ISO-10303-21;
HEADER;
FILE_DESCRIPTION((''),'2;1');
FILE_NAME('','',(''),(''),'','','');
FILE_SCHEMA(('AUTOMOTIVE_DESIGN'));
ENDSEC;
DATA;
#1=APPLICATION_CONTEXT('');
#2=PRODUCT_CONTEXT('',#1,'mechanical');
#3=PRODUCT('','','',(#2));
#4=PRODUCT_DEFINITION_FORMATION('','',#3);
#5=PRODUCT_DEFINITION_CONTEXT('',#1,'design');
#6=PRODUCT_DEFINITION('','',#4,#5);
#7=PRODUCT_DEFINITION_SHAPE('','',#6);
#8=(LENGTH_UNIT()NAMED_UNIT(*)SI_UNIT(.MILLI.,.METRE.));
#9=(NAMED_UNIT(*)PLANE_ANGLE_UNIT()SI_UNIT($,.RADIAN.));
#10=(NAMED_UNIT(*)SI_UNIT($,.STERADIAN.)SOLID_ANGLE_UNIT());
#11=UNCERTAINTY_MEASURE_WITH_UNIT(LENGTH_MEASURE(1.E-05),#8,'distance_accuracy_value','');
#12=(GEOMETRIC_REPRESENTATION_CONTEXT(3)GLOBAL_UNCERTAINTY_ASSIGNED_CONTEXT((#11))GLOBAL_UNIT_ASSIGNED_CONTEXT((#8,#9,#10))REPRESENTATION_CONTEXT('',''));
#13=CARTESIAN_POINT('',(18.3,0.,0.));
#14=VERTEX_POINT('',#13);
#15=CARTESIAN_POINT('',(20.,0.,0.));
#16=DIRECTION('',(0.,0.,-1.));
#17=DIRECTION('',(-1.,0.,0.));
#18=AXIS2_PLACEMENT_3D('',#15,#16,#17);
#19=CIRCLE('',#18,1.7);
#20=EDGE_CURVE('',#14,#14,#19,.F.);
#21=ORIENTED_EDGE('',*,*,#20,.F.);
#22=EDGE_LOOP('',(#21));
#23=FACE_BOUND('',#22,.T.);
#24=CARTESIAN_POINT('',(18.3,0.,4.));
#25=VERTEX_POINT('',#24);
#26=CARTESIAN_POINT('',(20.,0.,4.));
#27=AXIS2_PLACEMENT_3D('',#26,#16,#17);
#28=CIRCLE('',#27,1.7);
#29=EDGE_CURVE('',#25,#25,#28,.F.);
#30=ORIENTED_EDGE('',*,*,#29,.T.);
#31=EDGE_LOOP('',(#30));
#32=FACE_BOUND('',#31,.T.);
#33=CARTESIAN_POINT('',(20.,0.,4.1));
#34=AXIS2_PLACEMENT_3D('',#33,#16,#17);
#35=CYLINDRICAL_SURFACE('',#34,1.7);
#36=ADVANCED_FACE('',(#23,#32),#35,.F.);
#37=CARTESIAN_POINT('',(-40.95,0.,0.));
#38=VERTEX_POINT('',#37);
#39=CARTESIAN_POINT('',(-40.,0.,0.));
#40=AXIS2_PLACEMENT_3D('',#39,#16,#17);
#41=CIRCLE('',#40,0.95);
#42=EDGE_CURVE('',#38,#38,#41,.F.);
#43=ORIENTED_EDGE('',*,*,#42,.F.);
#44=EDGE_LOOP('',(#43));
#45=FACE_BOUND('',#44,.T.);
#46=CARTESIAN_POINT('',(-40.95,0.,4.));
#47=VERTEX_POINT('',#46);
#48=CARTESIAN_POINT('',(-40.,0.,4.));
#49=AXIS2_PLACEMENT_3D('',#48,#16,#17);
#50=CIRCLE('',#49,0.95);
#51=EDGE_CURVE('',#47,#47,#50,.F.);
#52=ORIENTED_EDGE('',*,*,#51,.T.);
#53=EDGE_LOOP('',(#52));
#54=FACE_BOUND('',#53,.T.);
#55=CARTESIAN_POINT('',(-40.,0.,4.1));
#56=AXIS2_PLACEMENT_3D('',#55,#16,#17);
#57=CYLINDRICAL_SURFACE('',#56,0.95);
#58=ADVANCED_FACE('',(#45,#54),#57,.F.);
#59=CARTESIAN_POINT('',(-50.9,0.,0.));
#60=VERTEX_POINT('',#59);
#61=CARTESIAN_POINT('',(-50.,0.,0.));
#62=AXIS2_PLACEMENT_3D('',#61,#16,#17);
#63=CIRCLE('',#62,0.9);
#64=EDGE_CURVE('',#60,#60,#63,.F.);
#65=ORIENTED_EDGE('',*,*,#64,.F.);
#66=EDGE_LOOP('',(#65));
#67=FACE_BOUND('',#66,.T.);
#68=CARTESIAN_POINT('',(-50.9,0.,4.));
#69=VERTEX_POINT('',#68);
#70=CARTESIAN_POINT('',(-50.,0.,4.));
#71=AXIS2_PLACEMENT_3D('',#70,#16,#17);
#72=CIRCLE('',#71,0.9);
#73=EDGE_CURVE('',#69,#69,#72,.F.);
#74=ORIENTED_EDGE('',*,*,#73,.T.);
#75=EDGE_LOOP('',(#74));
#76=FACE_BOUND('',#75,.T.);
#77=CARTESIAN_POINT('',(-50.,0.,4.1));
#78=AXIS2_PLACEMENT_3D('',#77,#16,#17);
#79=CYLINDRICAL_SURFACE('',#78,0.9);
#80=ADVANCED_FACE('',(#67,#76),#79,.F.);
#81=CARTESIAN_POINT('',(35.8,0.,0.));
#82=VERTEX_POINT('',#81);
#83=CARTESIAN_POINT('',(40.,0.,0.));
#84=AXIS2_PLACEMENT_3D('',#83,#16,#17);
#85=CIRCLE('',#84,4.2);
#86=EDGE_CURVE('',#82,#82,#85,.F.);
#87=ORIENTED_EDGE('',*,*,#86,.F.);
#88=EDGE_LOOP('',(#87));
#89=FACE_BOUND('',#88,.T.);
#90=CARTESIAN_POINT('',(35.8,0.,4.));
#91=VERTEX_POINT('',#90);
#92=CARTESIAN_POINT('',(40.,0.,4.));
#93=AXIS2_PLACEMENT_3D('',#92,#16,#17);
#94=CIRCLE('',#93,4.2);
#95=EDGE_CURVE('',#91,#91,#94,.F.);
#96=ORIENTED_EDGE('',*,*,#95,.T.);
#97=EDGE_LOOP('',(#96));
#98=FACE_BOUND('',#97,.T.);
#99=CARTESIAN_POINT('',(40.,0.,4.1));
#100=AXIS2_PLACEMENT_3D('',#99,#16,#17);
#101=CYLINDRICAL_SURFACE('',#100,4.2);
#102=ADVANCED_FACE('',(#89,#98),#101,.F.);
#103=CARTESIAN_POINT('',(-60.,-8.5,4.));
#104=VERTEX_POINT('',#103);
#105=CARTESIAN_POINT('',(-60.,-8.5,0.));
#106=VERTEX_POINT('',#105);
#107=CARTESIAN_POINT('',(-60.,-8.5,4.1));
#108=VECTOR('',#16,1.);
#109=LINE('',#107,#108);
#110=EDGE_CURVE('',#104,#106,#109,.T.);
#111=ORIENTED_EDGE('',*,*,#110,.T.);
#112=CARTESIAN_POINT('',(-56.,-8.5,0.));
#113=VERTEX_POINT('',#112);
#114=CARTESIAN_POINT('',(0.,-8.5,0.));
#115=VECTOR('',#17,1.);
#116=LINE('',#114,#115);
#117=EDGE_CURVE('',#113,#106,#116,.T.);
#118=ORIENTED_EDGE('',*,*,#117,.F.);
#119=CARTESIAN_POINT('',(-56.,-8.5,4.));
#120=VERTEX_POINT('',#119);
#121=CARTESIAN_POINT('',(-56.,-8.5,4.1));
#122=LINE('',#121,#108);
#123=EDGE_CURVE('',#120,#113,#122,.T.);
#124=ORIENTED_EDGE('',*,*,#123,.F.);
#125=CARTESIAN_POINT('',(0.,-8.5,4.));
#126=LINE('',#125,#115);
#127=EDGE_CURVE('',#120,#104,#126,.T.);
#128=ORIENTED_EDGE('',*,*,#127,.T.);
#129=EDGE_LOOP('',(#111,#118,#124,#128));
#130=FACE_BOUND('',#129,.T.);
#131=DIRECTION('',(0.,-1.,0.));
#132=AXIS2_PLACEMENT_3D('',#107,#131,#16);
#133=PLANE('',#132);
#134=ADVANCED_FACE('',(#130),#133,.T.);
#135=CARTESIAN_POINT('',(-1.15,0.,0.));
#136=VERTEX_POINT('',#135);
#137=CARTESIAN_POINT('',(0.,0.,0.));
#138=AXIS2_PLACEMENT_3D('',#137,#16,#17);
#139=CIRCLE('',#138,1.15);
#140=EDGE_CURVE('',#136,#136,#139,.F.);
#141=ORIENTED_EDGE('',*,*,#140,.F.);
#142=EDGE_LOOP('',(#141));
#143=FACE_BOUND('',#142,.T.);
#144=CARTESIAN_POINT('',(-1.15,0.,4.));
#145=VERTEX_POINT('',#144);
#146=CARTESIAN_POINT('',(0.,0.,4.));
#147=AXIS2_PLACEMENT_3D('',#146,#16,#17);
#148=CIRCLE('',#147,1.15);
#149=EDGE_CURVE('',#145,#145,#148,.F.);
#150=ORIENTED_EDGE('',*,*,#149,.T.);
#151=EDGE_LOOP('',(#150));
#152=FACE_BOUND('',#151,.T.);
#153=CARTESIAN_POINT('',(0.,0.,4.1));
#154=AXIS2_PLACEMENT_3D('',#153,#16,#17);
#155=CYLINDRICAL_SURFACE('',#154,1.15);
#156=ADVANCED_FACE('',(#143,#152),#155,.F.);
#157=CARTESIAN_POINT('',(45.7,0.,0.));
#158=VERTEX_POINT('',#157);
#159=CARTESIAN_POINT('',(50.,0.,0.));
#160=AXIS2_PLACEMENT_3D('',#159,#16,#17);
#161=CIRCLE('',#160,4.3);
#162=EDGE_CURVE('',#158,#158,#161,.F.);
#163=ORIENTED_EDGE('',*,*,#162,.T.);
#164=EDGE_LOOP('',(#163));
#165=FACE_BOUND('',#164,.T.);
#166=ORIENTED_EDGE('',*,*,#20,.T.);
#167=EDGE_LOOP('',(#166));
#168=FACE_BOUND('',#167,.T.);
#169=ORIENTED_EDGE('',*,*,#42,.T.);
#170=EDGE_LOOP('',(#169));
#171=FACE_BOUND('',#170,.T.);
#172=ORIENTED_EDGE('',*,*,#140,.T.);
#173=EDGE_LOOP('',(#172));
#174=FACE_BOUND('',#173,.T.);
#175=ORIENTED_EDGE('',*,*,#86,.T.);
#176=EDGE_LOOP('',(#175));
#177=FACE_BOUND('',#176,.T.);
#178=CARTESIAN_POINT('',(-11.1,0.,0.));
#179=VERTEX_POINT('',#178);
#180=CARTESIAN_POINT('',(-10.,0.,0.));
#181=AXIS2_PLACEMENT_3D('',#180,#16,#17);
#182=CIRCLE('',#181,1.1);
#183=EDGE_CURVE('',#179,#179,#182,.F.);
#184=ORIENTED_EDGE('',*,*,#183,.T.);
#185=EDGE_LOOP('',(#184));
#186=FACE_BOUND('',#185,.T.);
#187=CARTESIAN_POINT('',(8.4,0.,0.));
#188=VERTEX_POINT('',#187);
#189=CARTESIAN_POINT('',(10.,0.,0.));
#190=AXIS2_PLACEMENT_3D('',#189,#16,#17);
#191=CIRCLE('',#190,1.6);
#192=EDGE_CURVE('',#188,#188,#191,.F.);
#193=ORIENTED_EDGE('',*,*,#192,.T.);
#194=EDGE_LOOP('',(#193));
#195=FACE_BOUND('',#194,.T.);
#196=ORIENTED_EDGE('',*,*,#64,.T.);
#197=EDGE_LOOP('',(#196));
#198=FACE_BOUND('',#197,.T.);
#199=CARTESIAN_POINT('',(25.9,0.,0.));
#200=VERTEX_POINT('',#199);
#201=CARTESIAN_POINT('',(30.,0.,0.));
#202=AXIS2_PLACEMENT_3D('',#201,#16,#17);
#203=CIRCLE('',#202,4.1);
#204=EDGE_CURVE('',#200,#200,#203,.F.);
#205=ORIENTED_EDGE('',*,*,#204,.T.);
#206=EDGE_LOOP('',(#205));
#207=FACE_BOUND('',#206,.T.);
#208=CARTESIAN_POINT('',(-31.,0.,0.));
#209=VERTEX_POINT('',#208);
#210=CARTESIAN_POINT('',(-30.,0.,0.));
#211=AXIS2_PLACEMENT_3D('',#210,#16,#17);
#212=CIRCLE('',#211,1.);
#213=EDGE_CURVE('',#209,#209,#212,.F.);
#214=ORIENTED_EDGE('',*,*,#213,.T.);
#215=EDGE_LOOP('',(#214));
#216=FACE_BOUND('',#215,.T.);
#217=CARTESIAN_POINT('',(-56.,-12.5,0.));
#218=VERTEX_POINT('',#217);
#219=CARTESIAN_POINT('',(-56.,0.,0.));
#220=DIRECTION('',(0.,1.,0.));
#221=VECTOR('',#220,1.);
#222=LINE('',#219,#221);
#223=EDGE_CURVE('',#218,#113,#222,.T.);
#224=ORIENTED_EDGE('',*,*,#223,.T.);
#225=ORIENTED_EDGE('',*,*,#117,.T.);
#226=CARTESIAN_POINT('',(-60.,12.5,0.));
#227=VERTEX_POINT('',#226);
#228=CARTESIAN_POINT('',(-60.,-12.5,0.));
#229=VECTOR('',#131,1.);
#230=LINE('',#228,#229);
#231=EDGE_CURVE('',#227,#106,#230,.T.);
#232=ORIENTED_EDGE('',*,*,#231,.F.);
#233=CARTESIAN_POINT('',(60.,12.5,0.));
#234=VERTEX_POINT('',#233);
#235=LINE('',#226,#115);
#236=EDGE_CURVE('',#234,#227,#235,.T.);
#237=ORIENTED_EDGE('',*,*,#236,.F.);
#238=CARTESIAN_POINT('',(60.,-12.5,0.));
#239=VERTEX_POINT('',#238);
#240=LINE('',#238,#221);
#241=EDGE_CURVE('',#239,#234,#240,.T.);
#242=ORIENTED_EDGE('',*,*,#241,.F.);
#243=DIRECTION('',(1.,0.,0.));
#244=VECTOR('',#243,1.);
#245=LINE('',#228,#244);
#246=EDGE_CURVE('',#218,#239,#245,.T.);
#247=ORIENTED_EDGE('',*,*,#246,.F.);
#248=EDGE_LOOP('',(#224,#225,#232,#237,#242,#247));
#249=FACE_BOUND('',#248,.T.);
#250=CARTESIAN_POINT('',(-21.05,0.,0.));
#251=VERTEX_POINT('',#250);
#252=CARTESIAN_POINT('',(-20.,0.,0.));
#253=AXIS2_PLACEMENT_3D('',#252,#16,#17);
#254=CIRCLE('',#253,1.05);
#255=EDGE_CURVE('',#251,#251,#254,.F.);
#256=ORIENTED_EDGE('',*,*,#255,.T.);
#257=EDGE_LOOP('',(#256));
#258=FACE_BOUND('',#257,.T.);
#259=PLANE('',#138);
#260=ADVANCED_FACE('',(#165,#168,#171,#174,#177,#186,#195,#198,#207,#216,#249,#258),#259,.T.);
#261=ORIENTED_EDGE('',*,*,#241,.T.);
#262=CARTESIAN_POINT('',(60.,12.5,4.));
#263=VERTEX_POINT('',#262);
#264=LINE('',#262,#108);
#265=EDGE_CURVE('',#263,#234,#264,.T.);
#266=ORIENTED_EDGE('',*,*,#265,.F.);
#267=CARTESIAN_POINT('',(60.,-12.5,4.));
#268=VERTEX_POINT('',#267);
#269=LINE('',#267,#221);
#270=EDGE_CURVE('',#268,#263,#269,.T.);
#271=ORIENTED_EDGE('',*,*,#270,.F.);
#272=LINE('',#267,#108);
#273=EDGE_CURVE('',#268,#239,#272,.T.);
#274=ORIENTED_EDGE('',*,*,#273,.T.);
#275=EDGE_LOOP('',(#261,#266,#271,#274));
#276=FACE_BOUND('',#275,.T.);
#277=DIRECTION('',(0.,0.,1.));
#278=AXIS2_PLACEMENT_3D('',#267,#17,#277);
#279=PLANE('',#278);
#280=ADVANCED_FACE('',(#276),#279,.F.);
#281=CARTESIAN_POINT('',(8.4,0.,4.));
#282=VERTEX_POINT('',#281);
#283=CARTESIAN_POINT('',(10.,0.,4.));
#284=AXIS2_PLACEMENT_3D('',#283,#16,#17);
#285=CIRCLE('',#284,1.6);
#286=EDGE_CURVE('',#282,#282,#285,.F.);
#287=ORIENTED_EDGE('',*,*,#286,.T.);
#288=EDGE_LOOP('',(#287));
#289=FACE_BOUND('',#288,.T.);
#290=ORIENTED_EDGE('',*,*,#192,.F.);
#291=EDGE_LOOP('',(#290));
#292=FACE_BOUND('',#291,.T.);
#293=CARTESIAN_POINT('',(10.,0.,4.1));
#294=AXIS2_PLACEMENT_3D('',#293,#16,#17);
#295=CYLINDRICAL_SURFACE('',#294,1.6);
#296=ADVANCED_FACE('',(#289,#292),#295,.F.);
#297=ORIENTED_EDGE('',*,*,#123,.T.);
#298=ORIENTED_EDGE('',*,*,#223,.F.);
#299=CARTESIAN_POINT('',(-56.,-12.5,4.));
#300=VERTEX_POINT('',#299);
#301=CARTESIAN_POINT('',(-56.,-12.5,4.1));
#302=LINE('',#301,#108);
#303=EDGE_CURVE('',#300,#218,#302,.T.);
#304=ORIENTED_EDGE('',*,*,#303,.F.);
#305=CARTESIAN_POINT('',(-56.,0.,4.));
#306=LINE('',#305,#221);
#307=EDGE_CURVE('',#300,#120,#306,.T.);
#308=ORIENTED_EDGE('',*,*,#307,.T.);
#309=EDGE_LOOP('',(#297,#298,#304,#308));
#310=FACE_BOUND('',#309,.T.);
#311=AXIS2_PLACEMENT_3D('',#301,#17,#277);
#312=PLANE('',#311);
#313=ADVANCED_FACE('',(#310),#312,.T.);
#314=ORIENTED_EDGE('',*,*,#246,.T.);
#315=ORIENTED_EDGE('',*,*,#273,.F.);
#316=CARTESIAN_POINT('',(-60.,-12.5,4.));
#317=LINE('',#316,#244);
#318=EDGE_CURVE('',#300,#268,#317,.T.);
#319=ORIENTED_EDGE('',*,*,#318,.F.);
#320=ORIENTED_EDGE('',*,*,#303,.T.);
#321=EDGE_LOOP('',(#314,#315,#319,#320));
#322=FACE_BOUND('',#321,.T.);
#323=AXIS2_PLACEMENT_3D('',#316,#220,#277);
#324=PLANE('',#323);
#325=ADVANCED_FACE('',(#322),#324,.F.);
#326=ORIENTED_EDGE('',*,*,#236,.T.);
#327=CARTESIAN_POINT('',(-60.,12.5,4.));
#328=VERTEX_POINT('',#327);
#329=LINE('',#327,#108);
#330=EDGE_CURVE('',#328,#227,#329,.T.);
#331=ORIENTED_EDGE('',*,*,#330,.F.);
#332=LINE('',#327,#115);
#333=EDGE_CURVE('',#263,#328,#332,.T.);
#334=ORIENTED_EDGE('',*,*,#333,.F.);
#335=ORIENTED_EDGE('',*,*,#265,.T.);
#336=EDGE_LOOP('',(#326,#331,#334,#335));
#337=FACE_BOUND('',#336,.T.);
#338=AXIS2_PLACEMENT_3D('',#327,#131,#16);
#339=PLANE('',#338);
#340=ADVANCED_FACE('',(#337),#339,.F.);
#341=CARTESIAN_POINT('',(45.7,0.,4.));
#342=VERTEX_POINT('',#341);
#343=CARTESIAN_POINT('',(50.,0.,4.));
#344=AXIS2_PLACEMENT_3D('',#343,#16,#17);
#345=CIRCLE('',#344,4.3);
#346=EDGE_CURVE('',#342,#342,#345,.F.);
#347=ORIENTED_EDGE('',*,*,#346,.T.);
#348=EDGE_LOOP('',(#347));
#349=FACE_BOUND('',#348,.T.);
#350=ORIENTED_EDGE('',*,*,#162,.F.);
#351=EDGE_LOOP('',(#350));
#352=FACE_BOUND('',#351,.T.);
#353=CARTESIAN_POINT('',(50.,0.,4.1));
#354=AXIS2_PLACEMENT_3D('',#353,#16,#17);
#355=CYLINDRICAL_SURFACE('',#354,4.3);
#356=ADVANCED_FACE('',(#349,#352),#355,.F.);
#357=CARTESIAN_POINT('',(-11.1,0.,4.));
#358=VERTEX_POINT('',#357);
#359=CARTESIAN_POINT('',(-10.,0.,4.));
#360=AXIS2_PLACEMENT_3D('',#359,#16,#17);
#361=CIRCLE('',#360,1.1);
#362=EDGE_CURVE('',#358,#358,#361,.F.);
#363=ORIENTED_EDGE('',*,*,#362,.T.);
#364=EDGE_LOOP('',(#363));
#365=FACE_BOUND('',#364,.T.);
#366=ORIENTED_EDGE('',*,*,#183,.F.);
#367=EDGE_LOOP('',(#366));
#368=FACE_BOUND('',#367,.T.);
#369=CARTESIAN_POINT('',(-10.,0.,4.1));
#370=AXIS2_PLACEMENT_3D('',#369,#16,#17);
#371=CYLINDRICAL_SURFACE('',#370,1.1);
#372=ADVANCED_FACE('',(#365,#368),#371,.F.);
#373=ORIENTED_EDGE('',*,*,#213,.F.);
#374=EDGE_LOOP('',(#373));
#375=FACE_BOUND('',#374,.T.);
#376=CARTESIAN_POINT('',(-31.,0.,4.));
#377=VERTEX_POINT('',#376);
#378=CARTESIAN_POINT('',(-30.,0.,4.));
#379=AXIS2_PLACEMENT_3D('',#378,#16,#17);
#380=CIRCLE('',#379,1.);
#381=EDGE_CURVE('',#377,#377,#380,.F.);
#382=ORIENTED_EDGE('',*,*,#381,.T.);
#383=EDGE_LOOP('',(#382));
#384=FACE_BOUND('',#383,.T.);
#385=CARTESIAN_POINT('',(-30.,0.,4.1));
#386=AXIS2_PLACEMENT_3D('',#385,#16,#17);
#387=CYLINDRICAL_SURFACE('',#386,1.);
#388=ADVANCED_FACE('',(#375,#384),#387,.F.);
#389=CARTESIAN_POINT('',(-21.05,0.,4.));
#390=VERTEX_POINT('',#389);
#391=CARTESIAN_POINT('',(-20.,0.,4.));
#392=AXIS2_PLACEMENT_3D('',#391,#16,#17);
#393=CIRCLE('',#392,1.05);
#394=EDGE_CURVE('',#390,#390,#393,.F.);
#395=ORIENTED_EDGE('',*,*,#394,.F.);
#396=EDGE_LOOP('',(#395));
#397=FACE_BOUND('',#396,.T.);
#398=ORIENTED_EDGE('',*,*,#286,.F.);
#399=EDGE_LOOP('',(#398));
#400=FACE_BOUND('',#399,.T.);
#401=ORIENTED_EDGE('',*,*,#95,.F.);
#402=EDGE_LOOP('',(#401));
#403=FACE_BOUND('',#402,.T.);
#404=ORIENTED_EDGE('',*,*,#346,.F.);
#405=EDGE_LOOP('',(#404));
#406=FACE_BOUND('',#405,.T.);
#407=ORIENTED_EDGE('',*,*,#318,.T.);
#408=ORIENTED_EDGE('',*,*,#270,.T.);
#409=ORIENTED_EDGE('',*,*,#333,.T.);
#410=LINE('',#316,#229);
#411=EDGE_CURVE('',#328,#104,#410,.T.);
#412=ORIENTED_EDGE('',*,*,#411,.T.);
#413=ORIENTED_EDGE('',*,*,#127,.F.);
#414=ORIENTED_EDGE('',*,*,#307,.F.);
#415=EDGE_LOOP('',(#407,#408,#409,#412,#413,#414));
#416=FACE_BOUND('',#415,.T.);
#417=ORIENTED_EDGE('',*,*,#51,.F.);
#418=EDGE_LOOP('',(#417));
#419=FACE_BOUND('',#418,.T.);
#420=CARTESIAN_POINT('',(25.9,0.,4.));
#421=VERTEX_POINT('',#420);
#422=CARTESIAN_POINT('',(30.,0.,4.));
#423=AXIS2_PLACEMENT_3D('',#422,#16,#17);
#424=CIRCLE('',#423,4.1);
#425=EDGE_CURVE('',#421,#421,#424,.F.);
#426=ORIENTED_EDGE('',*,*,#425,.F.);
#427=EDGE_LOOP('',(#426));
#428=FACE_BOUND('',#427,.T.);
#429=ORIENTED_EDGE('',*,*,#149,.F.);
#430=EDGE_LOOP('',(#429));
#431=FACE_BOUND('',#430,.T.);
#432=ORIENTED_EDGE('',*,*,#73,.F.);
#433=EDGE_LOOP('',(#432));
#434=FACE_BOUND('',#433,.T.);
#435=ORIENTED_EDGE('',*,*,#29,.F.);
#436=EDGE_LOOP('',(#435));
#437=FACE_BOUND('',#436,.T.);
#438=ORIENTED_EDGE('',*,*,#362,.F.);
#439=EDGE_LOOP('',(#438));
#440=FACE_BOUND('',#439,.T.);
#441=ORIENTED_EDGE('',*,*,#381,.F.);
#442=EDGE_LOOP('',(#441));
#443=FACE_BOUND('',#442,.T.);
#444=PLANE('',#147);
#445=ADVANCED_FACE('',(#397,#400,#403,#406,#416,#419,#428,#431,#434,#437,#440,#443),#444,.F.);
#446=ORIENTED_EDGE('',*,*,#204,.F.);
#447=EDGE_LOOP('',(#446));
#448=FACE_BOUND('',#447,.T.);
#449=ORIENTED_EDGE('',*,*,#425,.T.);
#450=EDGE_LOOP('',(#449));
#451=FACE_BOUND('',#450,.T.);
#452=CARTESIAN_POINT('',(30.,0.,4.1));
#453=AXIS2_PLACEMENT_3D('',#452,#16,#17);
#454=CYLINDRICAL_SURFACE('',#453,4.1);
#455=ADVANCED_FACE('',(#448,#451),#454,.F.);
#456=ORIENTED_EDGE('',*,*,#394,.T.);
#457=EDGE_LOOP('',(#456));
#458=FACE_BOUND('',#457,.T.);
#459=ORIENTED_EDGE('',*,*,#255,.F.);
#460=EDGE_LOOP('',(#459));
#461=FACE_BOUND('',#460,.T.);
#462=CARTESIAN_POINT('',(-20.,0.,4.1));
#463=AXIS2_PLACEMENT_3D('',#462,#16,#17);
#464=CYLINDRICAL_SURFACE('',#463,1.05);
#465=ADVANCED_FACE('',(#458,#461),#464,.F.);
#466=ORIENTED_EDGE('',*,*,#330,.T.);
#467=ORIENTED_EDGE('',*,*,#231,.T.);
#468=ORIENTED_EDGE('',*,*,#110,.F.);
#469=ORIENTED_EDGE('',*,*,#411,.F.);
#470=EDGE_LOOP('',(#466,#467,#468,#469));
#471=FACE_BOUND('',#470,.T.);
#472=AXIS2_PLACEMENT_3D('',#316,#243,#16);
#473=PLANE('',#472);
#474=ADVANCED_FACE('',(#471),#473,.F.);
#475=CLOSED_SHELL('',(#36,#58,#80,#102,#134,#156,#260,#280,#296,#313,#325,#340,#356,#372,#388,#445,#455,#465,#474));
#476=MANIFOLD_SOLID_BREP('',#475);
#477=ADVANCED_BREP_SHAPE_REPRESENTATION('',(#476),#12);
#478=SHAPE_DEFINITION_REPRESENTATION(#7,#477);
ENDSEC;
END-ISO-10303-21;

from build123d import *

# Parameters (mm, degrees)
SKETCH1_W               = 120
SKETCH1_H               = 25
COUPON_120X25_DEPTH     = 4
DIAMETER_1P8_START      = -0.1
SKETCH2_R               = 0.9
DIAMETER_1P8_DEPTH      = 4.2
DIAMETER_1P9_START      = -0.1
SKETCH3_R               = 0.95
DIAMETER_1P9_DEPTH      = 4.2
DIAMETER_2_START        = -0.1
SKETCH4_R               = 1
DIAMETER_2_DEPTH        = 4.2
DIAMETER_2P1_START      = -0.1
SKETCH5_R               = 1.05
DIAMETER_2P1_DEPTH      = 4.2
DIAMETER_2P2_START      = -0.1
SKETCH6_R               = 1.1
DIAMETER_2P2_DEPTH      = 4.2
DIAMETER_2P3_START      = -0.1
SKETCH7_R               = 1.15
DIAMETER_2P3_DEPTH      = 4.2
DIAMETER_3P2_START      = -0.1
SKETCH8_R               = 1.6
DIAMETER_3P2_DEPTH      = 4.2
DIAMETER_3P4_START      = -0.1
SKETCH9_R               = 1.7
DIAMETER_3P4_DEPTH      = 4.2
DIAMETER_8P2_START      = -0.1
SKETCH10_R              = 4.1
DIAMETER_8P2_DEPTH      = 4.2
DIAMETER_8P4_START      = -0.1
SKETCH11_R              = 4.2
DIAMETER_8P4_DEPTH      = 4.2
DIAMETER_8P6_START      = -0.1
SKETCH12_R              = 4.3
DIAMETER_8P6_DEPTH      = 4.2
ORIENTATION_NOTCH_START = -0.1
SKETCH13_W              = 4
SKETCH13_H              = 4
ORIENTATION_NOTCH_DEPTH = 4.2


with BuildPart() as part:
    # Sketch1 → Coupon_120x25 (new body)
    with BuildSketch(Plane.XY):
        Rectangle(SKETCH1_W, SKETCH1_H)
    extrude(amount=COUPON_120X25_DEPTH)

    # Sketch2 → Diameter_1p8 (cut)
    with BuildSketch(Plane.XY.offset(DIAMETER_1P8_START)):
        with Locations(Location((-50, 0, 0), (0, 0, 180))):
            Circle(SKETCH2_R)
    extrude(amount=DIAMETER_1P8_DEPTH, mode=Mode.SUBTRACT)

    # Sketch3 → Diameter_1p9 (cut)
    with BuildSketch(Plane.XY.offset(DIAMETER_1P9_START)):
        with Locations(Location((-40, 0, 0), (0, 0, 180))):
            Circle(SKETCH3_R)
    extrude(amount=DIAMETER_1P9_DEPTH, mode=Mode.SUBTRACT)

    # Sketch4 → Diameter_2 (cut)
    with BuildSketch(Plane.XY.offset(DIAMETER_2_START)):
        with Locations(Location((-30, 0, 0), (0, 0, 180))):
            Circle(SKETCH4_R)
    extrude(amount=DIAMETER_2_DEPTH, mode=Mode.SUBTRACT)

    # Sketch5 → Diameter_2p1 (cut)
    with BuildSketch(Plane.XY.offset(DIAMETER_2P1_START)):
        with Locations(Location((-20, 0, 0), (0, 0, 180))):
            Circle(SKETCH5_R)
    extrude(amount=DIAMETER_2P1_DEPTH, mode=Mode.SUBTRACT)

    # Sketch6 → Diameter_2p2 (cut)
    with BuildSketch(Plane.XY.offset(DIAMETER_2P2_START)):
        with Locations(Location((-10, 0, 0), (0, 0, 180))):
            Circle(SKETCH6_R)
    extrude(amount=DIAMETER_2P2_DEPTH, mode=Mode.SUBTRACT)

    # Sketch7 → Diameter_2p3 (cut)
    with BuildSketch(Plane.XY.offset(DIAMETER_2P3_START)):
        with Locations(Location((0, 0, 0), (0, 0, 180))):
            Circle(SKETCH7_R)
    extrude(amount=DIAMETER_2P3_DEPTH, mode=Mode.SUBTRACT)

    # Sketch8 → Diameter_3p2 (cut)
    with BuildSketch(Plane.XY.offset(DIAMETER_3P2_START)):
        with Locations(Location((10, 0, 0), (0, 0, 180))):
            Circle(SKETCH8_R)
    extrude(amount=DIAMETER_3P2_DEPTH, mode=Mode.SUBTRACT)

    # Sketch9 → Diameter_3p4 (cut)
    with BuildSketch(Plane.XY.offset(DIAMETER_3P4_START)):
        with Locations(Location((20, 0, 0), (0, 0, 180))):
            Circle(SKETCH9_R)
    extrude(amount=DIAMETER_3P4_DEPTH, mode=Mode.SUBTRACT)

    # Sketch10 → Diameter_8p2 (cut)
    with BuildSketch(Plane.XY.offset(DIAMETER_8P2_START)):
        with Locations(Location((30, 0, 0), (0, 0, 180))):
            Circle(SKETCH10_R)
    extrude(amount=DIAMETER_8P2_DEPTH, mode=Mode.SUBTRACT)

    # Sketch11 → Diameter_8p4 (cut)
    with BuildSketch(Plane.XY.offset(DIAMETER_8P4_START)):
        with Locations(Location((40, 0, 0), (0, 0, 180))):
            Circle(SKETCH11_R)
    extrude(amount=DIAMETER_8P4_DEPTH, mode=Mode.SUBTRACT)

    # Sketch12 → Diameter_8p6 (cut)
    with BuildSketch(Plane.XY.offset(DIAMETER_8P6_START)):
        with Locations(Location((50, 0, 0), (0, 0, 180))):
            Circle(SKETCH12_R)
    extrude(amount=DIAMETER_8P6_DEPTH, mode=Mode.SUBTRACT)

    # Sketch13 → Orientation_Notch (cut)
    with BuildSketch(Plane.XY.offset(ORIENTATION_NOTCH_START)):
        with Locations((-58, -10.5)):
            Rectangle(SKETCH13_W, SKETCH13_H)
    extrude(amount=ORIENTATION_NOTCH_DEPTH, mode=Mode.SUBTRACT)


solid = part.part
